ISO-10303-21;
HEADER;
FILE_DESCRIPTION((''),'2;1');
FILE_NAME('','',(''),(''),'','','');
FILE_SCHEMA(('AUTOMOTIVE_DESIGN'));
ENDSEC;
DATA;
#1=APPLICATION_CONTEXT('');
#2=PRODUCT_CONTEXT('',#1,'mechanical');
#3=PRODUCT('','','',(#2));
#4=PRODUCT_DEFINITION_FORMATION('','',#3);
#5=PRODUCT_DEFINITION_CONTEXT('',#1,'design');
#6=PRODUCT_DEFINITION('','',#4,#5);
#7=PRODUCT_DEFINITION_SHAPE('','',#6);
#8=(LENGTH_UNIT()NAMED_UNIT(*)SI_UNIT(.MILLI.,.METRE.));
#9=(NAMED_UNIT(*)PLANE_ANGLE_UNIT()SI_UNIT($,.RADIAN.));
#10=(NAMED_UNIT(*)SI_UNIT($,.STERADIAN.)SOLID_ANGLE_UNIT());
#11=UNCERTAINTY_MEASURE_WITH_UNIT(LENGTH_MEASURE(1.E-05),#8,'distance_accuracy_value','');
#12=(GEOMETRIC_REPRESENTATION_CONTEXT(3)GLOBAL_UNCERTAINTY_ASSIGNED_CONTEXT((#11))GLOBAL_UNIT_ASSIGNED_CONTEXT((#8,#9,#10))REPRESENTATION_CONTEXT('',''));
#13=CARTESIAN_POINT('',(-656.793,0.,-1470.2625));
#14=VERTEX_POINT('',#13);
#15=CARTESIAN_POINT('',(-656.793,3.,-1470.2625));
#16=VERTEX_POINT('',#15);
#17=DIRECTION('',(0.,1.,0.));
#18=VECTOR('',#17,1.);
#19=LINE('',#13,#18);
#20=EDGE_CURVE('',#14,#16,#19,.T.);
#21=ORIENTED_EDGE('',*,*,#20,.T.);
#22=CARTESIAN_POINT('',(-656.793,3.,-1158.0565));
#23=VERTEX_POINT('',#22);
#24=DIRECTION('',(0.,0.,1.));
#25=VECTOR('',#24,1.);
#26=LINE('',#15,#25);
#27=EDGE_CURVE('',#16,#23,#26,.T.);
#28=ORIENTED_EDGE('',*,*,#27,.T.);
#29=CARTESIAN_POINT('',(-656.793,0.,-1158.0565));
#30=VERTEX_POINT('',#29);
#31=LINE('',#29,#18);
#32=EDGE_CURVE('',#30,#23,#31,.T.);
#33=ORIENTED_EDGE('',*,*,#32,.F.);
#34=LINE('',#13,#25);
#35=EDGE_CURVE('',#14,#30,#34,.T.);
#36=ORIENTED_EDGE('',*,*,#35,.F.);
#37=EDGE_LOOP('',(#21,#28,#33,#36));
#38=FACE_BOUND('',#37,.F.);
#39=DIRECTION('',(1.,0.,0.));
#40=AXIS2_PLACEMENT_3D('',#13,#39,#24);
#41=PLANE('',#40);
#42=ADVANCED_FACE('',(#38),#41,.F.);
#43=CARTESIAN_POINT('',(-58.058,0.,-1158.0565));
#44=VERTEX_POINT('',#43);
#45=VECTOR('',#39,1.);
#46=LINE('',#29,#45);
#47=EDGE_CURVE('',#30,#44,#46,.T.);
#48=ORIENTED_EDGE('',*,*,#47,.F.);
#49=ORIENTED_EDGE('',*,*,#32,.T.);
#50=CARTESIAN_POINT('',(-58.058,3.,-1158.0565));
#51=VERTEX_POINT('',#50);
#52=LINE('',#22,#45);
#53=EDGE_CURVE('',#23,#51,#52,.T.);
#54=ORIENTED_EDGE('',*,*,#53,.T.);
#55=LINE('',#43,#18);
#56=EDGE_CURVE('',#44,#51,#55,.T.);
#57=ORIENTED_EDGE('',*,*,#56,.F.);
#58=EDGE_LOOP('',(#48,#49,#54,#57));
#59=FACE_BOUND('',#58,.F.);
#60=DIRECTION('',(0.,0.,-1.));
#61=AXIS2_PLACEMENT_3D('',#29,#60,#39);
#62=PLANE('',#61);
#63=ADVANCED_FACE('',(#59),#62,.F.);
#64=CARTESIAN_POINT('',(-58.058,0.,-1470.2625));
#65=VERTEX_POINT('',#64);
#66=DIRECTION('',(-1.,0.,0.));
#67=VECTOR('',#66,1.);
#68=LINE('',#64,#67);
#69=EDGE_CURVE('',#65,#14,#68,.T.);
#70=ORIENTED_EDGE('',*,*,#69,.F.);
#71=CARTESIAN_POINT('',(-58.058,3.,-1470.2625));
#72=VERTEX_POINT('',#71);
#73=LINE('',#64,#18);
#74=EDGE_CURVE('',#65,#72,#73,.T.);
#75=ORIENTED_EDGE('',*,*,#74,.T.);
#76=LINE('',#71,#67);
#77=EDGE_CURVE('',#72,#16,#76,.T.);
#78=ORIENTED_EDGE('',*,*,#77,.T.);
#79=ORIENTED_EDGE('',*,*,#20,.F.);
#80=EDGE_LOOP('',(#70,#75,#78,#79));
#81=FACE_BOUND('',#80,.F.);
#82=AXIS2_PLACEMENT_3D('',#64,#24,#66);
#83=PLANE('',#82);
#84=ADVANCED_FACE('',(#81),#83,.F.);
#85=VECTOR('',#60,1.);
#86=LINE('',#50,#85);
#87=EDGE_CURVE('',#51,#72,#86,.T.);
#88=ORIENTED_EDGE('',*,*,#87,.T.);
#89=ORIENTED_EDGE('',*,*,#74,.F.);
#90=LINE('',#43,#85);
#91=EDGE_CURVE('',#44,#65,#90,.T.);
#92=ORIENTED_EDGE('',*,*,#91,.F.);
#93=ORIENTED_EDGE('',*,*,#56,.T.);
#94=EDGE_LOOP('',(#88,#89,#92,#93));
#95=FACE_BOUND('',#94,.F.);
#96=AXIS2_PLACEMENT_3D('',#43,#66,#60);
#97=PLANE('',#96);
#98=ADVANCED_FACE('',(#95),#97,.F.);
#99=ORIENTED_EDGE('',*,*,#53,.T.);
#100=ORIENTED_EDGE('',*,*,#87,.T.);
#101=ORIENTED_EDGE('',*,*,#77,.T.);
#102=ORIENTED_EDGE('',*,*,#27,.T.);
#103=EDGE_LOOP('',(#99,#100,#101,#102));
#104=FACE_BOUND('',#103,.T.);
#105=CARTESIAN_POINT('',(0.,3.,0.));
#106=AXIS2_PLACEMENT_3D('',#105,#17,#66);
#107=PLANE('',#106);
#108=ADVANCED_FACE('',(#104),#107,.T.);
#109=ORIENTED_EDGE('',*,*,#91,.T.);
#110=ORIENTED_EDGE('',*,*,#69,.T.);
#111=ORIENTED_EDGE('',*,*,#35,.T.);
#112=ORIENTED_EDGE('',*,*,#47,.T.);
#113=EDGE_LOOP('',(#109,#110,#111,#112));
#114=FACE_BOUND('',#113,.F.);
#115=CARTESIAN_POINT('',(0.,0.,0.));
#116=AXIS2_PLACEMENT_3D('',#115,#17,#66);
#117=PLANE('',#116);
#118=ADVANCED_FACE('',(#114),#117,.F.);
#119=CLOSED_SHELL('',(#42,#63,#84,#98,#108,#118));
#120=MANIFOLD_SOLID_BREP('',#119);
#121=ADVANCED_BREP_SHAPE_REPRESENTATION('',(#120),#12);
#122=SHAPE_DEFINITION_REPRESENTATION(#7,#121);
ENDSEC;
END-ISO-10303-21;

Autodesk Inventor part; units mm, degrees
ref_plane "YZ Plane" through (0, 0, 0) normal (1, 0, 0) x (0, 1, 0)
ref_plane "XZ Plane" through (0, 0, 0) normal (0, 1, 0) x (-1, 0, 0)
ref_plane "XY Plane" through (0, 0, 0) normal (0, 0, 1) x (1, 0, 0)
sketch "Boceto1" plane through (0, 0, 0) normal (0, 1, 0) x (-1, 0, 0)
  line L0 (656.793, -1158.0565) -> (58.058, -1158.0565)
  line L1 (58.058, -1158.0565) -> (58.058, -1470.2625)
  line L2 (58.058, -1470.2625) -> (656.793, -1470.2625)
  line L3 (656.793, -1470.2625) -> (656.793, -1158.0565)
  point P0 (0, 0)
  dimension "d0" = 598.735
  dimension "d1" = 312.206
extrude "Extrusión1" add sketch "Boceto1" along normal blind 3
